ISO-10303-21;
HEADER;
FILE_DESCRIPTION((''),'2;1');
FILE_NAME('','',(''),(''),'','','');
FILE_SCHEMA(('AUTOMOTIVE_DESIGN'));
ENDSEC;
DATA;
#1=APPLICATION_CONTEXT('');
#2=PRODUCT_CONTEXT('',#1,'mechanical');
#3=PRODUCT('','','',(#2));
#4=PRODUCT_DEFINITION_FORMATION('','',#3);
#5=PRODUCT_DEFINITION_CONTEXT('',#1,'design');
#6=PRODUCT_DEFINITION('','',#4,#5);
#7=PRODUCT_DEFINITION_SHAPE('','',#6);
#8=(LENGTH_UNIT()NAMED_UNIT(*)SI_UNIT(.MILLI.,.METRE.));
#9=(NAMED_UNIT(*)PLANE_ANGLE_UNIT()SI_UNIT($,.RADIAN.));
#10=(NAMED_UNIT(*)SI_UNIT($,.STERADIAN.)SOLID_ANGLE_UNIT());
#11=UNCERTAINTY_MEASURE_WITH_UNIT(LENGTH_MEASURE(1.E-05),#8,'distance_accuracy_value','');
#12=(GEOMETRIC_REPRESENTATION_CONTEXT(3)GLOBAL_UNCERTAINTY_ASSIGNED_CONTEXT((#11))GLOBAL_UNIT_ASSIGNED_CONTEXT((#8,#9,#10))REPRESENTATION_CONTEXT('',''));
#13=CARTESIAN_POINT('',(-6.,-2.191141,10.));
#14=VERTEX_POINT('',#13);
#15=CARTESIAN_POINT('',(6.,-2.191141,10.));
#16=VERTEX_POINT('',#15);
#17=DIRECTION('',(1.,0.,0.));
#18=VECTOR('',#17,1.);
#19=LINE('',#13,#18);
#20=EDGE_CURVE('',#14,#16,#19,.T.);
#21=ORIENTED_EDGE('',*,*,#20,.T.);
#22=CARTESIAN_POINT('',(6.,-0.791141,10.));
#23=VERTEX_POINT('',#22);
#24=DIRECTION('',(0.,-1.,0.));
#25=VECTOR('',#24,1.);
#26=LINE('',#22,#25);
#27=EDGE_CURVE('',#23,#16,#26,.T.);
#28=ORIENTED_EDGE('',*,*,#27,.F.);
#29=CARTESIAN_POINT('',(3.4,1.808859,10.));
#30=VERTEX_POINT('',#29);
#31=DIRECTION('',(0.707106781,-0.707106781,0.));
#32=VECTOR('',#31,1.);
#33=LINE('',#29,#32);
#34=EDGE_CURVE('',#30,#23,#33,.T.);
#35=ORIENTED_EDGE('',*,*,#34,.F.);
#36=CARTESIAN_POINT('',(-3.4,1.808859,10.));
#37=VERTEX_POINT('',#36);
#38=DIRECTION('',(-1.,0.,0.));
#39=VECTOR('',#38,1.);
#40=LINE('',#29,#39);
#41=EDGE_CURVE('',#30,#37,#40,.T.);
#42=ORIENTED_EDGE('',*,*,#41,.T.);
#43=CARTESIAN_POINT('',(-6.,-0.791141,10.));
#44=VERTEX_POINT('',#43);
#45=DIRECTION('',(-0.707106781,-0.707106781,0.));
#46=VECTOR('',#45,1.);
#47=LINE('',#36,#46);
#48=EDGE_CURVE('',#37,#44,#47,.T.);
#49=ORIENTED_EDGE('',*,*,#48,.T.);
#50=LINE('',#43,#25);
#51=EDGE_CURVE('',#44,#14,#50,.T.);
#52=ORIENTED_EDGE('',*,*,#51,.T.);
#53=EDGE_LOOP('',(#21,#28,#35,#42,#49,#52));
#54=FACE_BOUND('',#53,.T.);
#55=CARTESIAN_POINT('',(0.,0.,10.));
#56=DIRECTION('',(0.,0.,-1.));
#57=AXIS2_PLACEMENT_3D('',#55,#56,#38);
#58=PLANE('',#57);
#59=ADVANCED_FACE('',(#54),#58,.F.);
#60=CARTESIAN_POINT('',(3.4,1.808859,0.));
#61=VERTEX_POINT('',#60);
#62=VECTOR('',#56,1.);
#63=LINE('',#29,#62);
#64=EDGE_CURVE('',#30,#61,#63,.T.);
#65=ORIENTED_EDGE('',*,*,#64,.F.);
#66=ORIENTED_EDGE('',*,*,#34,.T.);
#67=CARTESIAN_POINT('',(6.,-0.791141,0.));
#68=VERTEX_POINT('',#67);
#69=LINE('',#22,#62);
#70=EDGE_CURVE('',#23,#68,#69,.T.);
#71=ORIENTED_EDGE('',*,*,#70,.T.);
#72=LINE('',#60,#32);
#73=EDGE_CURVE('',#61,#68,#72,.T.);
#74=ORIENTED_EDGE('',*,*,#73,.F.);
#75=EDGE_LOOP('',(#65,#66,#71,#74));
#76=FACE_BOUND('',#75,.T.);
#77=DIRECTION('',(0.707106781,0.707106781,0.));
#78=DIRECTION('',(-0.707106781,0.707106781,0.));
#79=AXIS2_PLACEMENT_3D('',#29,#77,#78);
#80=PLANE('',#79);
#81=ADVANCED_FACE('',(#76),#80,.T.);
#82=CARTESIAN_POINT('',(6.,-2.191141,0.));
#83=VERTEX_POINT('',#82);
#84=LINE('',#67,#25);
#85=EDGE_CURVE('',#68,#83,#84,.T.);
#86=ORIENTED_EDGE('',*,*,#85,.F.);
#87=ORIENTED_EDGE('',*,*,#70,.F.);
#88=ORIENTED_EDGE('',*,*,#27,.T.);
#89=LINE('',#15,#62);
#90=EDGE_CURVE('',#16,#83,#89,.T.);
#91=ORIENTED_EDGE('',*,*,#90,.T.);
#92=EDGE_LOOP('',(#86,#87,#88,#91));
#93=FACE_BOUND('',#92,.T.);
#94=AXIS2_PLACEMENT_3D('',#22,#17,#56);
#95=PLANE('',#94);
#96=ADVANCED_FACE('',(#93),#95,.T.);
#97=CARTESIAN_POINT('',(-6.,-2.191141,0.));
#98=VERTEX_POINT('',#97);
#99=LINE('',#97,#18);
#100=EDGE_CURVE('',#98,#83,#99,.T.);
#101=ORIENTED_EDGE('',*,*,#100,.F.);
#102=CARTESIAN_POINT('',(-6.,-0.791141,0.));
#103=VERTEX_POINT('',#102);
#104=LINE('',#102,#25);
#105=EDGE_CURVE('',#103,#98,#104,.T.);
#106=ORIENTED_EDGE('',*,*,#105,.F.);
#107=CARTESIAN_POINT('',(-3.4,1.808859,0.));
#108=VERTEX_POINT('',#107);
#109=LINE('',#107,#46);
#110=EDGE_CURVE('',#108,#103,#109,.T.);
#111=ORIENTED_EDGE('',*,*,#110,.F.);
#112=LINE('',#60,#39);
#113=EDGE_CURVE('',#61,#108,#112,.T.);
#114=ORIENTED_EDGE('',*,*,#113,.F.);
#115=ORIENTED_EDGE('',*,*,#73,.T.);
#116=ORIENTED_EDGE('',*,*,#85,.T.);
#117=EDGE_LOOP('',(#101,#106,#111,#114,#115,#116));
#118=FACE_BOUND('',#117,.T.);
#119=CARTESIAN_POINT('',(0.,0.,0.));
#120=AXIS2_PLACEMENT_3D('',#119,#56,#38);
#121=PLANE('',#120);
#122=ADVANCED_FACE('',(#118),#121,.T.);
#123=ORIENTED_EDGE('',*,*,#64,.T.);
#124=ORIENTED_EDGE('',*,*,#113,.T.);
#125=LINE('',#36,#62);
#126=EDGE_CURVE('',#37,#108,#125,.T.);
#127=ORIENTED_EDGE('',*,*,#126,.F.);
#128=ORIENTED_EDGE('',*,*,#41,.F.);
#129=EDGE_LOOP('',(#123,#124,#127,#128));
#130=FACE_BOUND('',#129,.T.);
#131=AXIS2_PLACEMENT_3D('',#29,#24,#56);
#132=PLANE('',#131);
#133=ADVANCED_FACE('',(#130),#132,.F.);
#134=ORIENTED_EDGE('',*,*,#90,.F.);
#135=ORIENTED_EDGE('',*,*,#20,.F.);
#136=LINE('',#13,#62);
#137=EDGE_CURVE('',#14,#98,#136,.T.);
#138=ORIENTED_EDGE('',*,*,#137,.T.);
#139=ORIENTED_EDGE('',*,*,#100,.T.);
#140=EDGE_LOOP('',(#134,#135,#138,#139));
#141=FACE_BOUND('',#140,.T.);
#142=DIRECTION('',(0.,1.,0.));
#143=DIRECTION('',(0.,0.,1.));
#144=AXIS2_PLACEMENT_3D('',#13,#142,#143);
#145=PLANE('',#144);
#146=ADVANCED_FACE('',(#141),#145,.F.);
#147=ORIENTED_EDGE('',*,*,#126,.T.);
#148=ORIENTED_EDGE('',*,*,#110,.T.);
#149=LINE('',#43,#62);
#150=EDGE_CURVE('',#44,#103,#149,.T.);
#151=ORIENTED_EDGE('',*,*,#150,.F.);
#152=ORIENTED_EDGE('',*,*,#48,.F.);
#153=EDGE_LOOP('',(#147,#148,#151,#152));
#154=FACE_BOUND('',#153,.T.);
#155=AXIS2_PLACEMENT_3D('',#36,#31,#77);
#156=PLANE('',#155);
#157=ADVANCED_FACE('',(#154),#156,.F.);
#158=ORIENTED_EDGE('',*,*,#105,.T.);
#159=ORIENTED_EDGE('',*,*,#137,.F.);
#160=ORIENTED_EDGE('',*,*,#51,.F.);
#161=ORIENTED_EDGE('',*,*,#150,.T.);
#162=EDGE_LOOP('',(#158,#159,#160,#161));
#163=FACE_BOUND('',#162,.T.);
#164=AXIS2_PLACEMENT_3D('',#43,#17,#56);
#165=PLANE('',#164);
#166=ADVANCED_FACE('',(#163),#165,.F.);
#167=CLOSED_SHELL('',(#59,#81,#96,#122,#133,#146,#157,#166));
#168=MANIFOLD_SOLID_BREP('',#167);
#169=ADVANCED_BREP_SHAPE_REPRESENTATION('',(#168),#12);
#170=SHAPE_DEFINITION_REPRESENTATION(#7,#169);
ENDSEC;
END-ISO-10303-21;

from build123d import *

# Parameters (mm, degrees)
AUFSATZ_LINEAR_AUSTRAGEN1_DEPTH = 10


with BuildPart() as part:
    # Skizze1 → Aufsatz-Linear austragen1 (new body)
    with BuildSketch(Plane.XY):
        Polygon((3.4, 1.808858787), (-3.4, 1.808858787), (-6, -0.791141213), (-6, -2.191141213), (6, -2.191141213), (6, -0.791141213), align=None)
    extrude(amount=AUFSATZ_LINEAR_AUSTRAGEN1_DEPTH)


solid = part.part
